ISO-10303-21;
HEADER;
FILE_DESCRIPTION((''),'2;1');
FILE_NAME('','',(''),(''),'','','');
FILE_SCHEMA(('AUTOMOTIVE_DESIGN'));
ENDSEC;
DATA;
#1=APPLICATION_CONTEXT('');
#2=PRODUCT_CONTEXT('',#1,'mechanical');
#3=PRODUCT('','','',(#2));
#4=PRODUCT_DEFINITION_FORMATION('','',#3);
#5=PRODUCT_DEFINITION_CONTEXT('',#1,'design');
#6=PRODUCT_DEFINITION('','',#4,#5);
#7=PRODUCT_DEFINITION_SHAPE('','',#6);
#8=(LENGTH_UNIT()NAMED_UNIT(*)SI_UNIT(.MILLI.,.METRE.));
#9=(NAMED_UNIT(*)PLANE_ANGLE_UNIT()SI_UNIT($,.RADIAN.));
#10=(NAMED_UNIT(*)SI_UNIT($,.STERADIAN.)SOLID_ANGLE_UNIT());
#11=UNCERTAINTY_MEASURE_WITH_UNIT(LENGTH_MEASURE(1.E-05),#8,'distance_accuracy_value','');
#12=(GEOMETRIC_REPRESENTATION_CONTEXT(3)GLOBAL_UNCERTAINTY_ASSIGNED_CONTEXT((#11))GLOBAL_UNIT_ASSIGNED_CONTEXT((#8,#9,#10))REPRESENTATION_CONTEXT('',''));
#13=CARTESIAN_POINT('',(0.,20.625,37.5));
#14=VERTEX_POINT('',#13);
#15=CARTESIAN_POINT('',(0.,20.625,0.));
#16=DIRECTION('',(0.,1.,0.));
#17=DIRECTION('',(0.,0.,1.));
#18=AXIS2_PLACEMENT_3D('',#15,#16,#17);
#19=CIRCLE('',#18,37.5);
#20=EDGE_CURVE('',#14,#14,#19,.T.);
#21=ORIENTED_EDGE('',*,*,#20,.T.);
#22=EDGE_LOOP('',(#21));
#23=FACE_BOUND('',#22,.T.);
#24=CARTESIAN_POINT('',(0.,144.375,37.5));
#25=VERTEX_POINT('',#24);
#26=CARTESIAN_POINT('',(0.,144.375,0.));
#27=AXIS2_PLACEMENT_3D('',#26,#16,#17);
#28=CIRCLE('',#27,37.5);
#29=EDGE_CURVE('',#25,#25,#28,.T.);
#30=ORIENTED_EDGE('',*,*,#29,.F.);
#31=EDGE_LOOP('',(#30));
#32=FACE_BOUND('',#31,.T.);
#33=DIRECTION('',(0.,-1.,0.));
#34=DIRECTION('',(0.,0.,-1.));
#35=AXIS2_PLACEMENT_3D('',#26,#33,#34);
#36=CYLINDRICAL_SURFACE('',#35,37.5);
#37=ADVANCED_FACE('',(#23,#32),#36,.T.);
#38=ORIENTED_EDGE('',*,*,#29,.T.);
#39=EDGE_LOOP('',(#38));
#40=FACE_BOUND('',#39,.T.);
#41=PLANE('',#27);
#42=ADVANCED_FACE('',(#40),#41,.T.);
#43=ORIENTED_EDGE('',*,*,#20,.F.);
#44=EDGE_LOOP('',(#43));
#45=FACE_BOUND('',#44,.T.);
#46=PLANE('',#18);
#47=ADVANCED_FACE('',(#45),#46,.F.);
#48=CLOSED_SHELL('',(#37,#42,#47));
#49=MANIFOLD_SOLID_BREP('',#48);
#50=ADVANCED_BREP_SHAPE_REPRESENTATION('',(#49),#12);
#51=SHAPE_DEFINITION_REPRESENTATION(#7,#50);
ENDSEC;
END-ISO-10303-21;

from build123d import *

# Parameters (mm, degrees)
SKETCH1_R           = 50
BOSS_EXTRUDE1_DEPTH = 165
SCALE1_SCALE        = 0.75


with BuildPart() as part:
    # Sketch1 → Boss-Extrude1 (new body)
    with BuildSketch(Plane(origin=(0, 0, 0), x_dir=(1, 0, 0), z_dir=(0, 1, 0))):
        with Locations(Location((0, 0, 0), (0, 0, 270))):
            Circle(SKETCH1_R)
    extrude(amount=BOSS_EXTRUDE1_DEPTH)


with BuildPart() as part_1:
    # Scale1: scaled about (0, 82.5, 0)
    add(part.part.scale(SCALE1_SCALE).moved(Location((0, 20.625, 0))))


solid = part_1.part
